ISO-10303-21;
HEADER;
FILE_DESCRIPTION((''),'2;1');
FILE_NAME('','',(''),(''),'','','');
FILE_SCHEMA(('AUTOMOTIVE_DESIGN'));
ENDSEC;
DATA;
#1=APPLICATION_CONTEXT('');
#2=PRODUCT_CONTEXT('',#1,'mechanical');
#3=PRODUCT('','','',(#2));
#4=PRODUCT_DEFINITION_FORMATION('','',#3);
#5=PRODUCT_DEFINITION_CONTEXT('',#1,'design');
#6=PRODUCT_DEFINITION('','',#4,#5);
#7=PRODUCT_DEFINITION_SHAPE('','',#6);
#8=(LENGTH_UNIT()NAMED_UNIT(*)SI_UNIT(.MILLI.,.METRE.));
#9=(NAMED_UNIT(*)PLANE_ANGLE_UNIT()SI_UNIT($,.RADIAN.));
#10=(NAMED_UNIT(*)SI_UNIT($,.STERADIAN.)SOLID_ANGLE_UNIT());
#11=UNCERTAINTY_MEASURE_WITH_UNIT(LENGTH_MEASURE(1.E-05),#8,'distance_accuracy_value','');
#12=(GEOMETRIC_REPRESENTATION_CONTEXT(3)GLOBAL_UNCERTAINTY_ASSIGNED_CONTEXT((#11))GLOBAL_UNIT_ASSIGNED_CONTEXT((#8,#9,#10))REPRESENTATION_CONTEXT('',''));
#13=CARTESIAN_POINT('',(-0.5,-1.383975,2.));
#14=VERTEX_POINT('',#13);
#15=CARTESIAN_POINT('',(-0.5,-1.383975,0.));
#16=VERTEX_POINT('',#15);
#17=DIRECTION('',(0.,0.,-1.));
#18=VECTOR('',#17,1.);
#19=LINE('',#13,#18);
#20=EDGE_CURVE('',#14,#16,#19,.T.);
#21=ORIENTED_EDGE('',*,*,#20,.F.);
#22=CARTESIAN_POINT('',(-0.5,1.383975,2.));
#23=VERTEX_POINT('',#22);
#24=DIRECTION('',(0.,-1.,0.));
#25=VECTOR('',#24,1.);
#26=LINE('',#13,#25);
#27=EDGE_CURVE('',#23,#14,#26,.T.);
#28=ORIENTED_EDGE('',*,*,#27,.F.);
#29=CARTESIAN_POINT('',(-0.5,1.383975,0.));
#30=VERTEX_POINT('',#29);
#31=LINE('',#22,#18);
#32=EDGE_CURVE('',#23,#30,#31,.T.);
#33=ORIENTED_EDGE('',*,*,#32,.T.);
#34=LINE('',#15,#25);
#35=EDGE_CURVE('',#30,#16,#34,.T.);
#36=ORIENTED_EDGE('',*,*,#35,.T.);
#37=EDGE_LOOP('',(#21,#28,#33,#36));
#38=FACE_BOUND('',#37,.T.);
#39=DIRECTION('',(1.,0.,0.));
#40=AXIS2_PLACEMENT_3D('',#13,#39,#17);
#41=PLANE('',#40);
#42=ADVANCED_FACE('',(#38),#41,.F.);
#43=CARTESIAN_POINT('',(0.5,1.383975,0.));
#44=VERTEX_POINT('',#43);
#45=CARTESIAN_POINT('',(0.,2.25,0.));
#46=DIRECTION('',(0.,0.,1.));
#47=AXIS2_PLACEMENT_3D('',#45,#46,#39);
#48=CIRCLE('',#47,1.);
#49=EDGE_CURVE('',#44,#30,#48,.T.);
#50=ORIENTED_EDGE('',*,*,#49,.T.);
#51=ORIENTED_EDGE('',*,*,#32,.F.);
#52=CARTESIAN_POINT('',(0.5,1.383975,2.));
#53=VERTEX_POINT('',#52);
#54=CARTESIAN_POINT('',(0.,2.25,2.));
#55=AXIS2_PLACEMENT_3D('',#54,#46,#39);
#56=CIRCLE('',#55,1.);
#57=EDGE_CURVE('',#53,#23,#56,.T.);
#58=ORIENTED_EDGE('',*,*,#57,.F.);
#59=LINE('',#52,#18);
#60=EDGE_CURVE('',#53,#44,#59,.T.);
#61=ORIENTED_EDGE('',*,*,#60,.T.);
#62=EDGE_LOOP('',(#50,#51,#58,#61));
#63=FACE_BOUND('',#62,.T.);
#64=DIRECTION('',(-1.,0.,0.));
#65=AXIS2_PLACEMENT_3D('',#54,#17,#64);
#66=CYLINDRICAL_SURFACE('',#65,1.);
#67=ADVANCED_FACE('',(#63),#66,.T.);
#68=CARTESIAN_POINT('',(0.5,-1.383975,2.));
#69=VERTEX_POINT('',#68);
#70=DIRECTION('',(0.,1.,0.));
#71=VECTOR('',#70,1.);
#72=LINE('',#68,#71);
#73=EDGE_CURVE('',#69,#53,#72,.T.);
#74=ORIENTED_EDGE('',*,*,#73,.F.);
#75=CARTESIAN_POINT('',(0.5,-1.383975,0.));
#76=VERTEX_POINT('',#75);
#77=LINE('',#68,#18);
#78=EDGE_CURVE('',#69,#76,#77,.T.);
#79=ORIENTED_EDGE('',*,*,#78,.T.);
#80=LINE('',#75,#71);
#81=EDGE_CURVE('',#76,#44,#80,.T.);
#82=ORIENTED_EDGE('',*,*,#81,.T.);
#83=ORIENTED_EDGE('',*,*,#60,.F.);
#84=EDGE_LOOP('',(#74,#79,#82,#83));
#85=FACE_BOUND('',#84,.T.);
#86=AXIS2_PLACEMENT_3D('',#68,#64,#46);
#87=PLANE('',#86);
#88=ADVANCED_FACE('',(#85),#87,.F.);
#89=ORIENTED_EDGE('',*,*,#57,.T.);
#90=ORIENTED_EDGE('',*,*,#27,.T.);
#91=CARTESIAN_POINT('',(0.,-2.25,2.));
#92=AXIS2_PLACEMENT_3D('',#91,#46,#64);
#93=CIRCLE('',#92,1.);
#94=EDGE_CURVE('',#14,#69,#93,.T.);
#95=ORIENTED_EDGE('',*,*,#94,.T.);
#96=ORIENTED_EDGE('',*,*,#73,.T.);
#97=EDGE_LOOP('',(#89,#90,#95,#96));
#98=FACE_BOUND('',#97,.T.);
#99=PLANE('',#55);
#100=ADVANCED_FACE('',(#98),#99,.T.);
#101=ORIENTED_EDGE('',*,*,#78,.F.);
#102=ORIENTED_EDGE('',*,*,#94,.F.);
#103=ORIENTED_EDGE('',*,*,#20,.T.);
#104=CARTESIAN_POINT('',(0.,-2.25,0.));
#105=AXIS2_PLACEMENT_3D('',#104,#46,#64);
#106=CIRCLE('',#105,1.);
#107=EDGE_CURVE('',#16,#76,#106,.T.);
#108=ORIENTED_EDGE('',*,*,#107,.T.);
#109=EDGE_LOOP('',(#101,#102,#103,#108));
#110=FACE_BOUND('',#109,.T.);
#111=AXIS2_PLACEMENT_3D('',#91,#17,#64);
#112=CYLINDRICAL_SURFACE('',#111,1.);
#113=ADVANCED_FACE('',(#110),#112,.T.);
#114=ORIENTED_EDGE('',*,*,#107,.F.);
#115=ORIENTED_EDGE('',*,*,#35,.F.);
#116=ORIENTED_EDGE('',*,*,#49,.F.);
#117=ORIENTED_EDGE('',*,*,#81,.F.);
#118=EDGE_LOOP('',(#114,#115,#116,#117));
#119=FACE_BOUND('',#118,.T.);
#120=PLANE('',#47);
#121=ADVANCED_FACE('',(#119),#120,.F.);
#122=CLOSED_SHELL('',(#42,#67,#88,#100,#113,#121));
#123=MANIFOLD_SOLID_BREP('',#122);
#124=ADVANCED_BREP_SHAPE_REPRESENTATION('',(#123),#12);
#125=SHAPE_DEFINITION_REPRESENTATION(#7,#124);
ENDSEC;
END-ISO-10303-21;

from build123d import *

# Parameters (mm, degrees)
EXTRUDE_1_DEPTH = 2


with BuildPart() as part:
    # 草图1 → 凸台-拉伸1 (new body)
    with BuildSketch(Plane.XY):
        with BuildLine():
            Line((-0.5, -1.383974596), (-0.5, 1.383974596))
            ThreePointArc((-0.5, 1.383974596), (0, 3.25), (0.5, 1.383974596))
            Line((0.5, 1.383974596), (0.5, -1.383974596))
            ThreePointArc((0.5, -1.383974596), (0, -3.25), (-0.5, -1.383974596))
        make_face()
    extrude(amount=EXTRUDE_1_DEPTH)


solid = part.part
